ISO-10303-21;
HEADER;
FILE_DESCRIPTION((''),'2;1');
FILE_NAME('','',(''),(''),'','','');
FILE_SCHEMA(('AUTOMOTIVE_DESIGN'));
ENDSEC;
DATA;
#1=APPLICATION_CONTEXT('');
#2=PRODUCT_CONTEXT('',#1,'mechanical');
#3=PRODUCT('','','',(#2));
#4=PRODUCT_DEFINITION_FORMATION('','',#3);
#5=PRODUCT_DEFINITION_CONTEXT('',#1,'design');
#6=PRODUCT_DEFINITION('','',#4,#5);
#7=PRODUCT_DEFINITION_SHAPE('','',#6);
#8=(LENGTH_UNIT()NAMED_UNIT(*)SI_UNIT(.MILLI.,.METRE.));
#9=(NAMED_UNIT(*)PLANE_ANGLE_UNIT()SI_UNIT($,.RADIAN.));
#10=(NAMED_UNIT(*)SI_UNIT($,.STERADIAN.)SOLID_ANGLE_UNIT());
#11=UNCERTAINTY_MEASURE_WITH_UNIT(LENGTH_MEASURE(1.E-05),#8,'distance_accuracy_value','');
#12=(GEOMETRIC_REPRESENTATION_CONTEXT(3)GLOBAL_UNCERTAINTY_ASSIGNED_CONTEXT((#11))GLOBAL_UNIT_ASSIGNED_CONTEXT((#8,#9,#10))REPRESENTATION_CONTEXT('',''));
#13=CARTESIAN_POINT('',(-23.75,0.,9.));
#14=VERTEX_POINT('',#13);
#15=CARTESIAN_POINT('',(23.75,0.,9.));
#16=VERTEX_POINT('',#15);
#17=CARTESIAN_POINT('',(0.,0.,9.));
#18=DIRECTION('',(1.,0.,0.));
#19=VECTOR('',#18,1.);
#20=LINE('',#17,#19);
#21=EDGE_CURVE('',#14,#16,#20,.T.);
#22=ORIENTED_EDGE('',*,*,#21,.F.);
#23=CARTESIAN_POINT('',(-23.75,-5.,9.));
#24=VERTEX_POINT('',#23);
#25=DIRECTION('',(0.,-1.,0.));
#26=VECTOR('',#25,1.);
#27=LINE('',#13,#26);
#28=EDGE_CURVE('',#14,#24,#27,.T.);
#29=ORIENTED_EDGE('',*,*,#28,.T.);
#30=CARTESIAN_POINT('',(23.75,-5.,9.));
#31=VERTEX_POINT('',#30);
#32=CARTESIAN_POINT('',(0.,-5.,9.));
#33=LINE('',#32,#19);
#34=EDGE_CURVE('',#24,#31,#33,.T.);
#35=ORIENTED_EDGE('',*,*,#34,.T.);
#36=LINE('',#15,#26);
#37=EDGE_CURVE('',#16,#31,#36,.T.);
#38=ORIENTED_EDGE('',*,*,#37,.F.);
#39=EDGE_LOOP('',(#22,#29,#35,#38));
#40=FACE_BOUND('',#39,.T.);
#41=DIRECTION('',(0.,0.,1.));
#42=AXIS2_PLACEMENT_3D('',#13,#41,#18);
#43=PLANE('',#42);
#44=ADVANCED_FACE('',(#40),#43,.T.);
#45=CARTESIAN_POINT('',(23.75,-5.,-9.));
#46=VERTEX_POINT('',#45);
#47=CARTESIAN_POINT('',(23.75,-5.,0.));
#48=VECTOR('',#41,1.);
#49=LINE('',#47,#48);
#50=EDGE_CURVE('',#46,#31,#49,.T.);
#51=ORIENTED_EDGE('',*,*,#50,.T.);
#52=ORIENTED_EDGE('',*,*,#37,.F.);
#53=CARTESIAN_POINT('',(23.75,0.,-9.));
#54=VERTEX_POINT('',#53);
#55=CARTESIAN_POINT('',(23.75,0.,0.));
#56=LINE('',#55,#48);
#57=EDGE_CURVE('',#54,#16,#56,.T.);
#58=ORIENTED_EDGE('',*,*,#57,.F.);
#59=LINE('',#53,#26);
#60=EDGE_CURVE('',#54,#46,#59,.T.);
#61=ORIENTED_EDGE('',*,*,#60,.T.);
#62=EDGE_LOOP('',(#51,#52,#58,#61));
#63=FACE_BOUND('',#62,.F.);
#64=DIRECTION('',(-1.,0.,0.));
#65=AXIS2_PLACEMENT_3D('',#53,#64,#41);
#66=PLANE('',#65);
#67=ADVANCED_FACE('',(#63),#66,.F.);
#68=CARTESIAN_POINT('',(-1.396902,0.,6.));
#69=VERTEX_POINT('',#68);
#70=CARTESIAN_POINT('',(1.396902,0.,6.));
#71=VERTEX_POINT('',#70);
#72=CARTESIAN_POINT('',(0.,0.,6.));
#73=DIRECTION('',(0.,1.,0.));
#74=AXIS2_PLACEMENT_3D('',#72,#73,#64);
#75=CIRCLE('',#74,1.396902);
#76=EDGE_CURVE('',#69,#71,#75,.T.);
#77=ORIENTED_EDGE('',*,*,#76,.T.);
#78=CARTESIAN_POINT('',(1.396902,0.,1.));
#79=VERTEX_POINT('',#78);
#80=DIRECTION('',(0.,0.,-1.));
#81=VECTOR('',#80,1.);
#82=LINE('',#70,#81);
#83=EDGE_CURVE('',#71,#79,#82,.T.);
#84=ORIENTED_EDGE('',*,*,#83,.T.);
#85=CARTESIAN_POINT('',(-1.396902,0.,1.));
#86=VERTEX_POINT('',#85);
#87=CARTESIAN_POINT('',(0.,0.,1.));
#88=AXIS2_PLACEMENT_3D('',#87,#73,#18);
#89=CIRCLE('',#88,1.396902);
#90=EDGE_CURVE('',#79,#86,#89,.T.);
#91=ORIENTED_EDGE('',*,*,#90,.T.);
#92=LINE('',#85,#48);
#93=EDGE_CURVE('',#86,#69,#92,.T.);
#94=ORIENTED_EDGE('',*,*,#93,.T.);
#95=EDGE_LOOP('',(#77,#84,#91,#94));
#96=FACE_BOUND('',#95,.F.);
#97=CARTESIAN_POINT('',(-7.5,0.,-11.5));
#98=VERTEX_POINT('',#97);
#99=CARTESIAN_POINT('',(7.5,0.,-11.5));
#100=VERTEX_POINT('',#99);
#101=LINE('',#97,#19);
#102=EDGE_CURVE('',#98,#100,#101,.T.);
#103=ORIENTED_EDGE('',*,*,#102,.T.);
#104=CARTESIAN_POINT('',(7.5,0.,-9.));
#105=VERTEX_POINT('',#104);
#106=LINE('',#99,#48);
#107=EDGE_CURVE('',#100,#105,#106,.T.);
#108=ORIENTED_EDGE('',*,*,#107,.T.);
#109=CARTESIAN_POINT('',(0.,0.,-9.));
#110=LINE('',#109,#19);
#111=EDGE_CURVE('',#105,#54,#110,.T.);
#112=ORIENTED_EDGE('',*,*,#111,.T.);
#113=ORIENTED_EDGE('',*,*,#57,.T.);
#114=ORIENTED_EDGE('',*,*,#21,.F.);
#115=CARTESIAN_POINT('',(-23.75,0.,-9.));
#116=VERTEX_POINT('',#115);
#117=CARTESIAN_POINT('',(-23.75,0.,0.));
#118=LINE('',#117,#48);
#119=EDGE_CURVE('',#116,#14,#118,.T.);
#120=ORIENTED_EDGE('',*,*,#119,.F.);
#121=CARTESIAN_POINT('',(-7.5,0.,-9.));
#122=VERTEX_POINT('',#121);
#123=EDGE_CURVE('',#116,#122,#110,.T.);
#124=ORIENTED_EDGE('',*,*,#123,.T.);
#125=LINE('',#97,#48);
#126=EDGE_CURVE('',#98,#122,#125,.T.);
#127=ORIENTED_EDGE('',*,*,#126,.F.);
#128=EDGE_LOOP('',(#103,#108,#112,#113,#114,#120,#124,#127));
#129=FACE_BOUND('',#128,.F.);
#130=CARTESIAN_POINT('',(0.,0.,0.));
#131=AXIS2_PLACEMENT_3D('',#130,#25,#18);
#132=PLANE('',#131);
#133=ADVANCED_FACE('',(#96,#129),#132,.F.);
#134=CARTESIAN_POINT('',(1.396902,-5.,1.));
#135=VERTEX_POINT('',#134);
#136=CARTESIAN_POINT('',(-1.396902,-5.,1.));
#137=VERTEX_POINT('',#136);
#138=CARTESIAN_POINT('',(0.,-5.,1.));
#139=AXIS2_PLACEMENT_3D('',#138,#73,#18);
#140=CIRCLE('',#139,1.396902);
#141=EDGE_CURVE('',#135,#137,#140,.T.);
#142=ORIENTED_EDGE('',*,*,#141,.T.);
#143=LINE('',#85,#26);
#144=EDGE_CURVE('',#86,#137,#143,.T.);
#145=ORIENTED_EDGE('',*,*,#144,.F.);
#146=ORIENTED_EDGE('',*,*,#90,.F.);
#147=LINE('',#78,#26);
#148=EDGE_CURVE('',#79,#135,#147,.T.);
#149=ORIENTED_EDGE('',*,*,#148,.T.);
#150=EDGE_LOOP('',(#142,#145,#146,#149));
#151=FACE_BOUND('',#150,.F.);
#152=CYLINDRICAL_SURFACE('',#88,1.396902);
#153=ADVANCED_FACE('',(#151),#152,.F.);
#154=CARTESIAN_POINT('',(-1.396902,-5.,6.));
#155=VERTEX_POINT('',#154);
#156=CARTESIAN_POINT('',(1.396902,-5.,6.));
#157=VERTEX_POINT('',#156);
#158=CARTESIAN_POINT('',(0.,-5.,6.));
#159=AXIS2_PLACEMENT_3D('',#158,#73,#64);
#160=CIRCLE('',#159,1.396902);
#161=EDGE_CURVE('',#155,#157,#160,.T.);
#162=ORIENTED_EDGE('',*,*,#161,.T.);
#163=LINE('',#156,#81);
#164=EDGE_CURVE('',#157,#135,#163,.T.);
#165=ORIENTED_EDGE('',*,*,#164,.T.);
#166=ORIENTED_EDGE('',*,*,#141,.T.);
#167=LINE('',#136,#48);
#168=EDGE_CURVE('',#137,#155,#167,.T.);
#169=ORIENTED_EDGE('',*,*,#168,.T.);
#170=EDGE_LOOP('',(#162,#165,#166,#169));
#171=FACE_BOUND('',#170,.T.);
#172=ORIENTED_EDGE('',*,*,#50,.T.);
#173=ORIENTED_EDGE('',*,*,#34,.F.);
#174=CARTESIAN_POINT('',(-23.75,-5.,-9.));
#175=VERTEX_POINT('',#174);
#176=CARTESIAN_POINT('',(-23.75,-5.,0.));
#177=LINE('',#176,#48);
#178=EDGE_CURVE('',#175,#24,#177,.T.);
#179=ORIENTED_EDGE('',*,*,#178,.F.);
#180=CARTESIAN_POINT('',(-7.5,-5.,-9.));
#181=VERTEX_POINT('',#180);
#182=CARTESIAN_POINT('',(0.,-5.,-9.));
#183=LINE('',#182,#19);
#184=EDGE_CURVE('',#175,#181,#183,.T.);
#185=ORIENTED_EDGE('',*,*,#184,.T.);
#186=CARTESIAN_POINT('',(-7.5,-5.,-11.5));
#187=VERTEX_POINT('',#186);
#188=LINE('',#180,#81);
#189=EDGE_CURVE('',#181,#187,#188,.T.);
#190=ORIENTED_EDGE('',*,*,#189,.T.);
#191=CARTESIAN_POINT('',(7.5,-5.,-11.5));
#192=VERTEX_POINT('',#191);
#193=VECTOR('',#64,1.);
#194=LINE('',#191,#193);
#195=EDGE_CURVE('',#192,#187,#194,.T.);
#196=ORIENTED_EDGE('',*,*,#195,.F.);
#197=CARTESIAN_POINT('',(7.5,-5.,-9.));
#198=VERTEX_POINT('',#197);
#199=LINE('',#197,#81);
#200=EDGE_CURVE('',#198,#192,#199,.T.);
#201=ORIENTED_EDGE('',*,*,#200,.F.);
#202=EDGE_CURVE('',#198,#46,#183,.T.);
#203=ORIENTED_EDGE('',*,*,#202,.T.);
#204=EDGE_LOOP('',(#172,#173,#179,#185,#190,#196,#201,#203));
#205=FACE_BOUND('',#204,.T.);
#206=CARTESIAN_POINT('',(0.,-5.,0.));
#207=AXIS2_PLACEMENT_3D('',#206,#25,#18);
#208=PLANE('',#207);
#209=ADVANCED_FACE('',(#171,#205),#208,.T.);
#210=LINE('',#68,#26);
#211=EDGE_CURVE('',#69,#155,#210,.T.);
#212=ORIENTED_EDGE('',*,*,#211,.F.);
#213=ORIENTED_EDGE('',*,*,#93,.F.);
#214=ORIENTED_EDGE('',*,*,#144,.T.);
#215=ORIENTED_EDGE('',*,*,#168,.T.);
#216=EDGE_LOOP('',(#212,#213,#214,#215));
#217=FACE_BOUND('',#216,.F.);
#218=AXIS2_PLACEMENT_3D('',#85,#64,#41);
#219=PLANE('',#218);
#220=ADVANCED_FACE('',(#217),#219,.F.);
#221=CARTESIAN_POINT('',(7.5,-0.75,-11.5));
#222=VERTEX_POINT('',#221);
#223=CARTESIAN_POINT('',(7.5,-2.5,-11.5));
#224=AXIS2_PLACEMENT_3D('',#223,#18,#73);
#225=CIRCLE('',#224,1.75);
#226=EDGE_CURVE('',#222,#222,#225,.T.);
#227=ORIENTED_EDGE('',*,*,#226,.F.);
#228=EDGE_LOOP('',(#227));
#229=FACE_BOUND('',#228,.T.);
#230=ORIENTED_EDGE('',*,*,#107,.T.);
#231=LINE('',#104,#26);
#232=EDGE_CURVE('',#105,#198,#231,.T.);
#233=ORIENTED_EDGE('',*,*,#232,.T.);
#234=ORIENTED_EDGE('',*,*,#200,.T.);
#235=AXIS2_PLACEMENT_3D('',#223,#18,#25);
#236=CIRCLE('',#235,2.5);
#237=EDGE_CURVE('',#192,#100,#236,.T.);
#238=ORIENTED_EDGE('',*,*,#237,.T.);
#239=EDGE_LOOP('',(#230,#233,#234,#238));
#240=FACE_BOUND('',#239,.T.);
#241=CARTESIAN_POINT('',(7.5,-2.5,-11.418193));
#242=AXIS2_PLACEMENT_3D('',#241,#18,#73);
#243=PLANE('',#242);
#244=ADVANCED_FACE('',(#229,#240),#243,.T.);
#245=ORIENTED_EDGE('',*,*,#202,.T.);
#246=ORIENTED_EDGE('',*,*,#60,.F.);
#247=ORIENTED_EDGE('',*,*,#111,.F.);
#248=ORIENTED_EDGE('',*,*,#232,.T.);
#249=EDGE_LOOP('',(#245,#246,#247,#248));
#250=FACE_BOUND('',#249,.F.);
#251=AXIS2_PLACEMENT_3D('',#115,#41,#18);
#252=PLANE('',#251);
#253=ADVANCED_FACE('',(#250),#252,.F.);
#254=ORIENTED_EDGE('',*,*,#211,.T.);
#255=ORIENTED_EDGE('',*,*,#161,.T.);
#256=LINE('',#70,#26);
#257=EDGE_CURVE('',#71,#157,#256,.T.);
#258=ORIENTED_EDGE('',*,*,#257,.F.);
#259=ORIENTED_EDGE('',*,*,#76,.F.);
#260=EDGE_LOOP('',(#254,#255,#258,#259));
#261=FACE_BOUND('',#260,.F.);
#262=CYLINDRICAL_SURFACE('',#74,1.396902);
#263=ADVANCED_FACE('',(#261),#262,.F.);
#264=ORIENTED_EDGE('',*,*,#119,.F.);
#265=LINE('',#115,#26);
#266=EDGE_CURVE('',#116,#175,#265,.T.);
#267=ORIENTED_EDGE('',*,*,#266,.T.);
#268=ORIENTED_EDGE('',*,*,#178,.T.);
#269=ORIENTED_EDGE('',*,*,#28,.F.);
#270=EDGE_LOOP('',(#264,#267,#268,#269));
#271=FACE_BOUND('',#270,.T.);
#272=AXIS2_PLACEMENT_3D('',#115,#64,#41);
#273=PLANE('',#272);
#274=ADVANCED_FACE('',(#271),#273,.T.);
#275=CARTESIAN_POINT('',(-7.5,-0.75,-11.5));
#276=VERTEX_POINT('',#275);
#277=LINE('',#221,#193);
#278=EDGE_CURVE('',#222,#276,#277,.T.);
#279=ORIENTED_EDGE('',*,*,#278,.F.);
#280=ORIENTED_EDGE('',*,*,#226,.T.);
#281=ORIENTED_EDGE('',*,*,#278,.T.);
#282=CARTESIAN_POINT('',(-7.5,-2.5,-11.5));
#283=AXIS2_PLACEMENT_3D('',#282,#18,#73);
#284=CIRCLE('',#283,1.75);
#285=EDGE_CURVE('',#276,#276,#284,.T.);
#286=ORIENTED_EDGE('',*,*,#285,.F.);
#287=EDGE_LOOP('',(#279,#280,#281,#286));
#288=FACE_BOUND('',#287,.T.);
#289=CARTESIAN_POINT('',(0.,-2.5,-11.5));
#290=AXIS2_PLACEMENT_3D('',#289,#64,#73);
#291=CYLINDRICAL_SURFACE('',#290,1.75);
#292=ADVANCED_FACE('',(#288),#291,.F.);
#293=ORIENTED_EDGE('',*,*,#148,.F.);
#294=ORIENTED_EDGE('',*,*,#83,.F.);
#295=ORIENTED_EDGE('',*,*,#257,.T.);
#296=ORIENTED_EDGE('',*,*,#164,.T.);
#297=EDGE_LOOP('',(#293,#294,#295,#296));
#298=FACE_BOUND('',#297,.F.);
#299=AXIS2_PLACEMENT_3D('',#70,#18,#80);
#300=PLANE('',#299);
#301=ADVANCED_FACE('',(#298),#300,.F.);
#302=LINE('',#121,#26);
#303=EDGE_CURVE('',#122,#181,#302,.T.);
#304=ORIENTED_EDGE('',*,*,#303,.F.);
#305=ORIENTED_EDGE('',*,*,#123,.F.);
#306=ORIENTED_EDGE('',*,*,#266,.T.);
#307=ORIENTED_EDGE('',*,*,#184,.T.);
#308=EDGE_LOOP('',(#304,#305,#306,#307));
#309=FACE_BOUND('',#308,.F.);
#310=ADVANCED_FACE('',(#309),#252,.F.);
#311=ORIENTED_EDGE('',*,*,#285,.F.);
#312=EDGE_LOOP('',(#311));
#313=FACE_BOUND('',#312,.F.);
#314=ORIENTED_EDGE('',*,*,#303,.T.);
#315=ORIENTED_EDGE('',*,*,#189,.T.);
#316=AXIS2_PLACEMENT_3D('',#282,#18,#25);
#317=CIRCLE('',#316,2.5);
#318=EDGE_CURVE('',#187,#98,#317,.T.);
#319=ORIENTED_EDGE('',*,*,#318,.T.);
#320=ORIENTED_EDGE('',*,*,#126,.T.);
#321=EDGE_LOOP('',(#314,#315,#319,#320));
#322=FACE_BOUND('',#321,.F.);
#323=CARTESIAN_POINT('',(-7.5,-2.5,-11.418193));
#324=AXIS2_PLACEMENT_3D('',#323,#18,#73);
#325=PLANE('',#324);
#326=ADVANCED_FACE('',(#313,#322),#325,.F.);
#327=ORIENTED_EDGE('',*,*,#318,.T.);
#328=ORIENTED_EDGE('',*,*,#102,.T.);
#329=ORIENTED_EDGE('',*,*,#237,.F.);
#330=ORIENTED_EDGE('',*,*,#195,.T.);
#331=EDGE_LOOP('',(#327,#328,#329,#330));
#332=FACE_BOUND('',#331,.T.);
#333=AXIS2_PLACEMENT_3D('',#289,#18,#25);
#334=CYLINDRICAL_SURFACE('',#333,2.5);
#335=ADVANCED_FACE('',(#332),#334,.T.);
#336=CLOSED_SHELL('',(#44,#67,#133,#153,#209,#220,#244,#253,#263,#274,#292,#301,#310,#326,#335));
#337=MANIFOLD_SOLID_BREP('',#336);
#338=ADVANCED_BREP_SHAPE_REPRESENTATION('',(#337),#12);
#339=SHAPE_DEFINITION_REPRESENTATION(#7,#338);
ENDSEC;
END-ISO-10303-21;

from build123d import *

# Parameters (mm, degrees)
F0_W     = 47.5
F0_H     = 18
F1_DEPTH = 5
F3_R     = 1.75
F4_DEPTH = 7.5


with BuildPart() as f1:
    # F0 (on Front) → F1 (new body)
    with BuildSketch(Plane.XZ):
        Rectangle(F0_W, F0_H)
        with BuildLine():
            ThreePointArc((1.396902, 1), (0, -0.396902), (-1.396902, 1))
            Line((-1.396902, 1), (-1.396902, 6))
            ThreePointArc((-1.396902, 6), (0, 7.396902), (1.396902, 6))
            Line((1.396902, 6), (1.396902, 1))
        make_face(mode=Mode.SUBTRACT)
    extrude(amount=F1_DEPTH)

    # F3 (on Right) → F4 (join, symmetric)
    with BuildSketch(Plane.YZ):
        with BuildLine():
            ThreePointArc((-2.5, -9), (-4.267767, -9.732233), (-5, -11.5))
            ThreePointArc((-5, -11.5), (-2.5, -14), (0, -11.5))
            ThreePointArc((0, -11.5), (-0.732233, -9.732233), (-2.5, -9))
        make_face()
        with Locations((-2.5, -11.5)):
            Circle(F3_R, mode=Mode.SUBTRACT)
        with BuildLine():
            ThreePointArc((-2.5, -9), (-0.732233, -9.732233), (0, -11.5))
            Line((0, -11.5), (0, -9))
            Line((0, -9), (-2.5, -9))
        make_face()
        with BuildLine():
            Line((-5, -9), (-5, -11.5))
            ThreePointArc((-5, -11.5), (-4.267767, -9.732233), (-2.5, -9))
            Line((-2.5, -9), (-5, -9))
        make_face()
    extrude(amount=F4_DEPTH, both=True)


solid = f1.part
